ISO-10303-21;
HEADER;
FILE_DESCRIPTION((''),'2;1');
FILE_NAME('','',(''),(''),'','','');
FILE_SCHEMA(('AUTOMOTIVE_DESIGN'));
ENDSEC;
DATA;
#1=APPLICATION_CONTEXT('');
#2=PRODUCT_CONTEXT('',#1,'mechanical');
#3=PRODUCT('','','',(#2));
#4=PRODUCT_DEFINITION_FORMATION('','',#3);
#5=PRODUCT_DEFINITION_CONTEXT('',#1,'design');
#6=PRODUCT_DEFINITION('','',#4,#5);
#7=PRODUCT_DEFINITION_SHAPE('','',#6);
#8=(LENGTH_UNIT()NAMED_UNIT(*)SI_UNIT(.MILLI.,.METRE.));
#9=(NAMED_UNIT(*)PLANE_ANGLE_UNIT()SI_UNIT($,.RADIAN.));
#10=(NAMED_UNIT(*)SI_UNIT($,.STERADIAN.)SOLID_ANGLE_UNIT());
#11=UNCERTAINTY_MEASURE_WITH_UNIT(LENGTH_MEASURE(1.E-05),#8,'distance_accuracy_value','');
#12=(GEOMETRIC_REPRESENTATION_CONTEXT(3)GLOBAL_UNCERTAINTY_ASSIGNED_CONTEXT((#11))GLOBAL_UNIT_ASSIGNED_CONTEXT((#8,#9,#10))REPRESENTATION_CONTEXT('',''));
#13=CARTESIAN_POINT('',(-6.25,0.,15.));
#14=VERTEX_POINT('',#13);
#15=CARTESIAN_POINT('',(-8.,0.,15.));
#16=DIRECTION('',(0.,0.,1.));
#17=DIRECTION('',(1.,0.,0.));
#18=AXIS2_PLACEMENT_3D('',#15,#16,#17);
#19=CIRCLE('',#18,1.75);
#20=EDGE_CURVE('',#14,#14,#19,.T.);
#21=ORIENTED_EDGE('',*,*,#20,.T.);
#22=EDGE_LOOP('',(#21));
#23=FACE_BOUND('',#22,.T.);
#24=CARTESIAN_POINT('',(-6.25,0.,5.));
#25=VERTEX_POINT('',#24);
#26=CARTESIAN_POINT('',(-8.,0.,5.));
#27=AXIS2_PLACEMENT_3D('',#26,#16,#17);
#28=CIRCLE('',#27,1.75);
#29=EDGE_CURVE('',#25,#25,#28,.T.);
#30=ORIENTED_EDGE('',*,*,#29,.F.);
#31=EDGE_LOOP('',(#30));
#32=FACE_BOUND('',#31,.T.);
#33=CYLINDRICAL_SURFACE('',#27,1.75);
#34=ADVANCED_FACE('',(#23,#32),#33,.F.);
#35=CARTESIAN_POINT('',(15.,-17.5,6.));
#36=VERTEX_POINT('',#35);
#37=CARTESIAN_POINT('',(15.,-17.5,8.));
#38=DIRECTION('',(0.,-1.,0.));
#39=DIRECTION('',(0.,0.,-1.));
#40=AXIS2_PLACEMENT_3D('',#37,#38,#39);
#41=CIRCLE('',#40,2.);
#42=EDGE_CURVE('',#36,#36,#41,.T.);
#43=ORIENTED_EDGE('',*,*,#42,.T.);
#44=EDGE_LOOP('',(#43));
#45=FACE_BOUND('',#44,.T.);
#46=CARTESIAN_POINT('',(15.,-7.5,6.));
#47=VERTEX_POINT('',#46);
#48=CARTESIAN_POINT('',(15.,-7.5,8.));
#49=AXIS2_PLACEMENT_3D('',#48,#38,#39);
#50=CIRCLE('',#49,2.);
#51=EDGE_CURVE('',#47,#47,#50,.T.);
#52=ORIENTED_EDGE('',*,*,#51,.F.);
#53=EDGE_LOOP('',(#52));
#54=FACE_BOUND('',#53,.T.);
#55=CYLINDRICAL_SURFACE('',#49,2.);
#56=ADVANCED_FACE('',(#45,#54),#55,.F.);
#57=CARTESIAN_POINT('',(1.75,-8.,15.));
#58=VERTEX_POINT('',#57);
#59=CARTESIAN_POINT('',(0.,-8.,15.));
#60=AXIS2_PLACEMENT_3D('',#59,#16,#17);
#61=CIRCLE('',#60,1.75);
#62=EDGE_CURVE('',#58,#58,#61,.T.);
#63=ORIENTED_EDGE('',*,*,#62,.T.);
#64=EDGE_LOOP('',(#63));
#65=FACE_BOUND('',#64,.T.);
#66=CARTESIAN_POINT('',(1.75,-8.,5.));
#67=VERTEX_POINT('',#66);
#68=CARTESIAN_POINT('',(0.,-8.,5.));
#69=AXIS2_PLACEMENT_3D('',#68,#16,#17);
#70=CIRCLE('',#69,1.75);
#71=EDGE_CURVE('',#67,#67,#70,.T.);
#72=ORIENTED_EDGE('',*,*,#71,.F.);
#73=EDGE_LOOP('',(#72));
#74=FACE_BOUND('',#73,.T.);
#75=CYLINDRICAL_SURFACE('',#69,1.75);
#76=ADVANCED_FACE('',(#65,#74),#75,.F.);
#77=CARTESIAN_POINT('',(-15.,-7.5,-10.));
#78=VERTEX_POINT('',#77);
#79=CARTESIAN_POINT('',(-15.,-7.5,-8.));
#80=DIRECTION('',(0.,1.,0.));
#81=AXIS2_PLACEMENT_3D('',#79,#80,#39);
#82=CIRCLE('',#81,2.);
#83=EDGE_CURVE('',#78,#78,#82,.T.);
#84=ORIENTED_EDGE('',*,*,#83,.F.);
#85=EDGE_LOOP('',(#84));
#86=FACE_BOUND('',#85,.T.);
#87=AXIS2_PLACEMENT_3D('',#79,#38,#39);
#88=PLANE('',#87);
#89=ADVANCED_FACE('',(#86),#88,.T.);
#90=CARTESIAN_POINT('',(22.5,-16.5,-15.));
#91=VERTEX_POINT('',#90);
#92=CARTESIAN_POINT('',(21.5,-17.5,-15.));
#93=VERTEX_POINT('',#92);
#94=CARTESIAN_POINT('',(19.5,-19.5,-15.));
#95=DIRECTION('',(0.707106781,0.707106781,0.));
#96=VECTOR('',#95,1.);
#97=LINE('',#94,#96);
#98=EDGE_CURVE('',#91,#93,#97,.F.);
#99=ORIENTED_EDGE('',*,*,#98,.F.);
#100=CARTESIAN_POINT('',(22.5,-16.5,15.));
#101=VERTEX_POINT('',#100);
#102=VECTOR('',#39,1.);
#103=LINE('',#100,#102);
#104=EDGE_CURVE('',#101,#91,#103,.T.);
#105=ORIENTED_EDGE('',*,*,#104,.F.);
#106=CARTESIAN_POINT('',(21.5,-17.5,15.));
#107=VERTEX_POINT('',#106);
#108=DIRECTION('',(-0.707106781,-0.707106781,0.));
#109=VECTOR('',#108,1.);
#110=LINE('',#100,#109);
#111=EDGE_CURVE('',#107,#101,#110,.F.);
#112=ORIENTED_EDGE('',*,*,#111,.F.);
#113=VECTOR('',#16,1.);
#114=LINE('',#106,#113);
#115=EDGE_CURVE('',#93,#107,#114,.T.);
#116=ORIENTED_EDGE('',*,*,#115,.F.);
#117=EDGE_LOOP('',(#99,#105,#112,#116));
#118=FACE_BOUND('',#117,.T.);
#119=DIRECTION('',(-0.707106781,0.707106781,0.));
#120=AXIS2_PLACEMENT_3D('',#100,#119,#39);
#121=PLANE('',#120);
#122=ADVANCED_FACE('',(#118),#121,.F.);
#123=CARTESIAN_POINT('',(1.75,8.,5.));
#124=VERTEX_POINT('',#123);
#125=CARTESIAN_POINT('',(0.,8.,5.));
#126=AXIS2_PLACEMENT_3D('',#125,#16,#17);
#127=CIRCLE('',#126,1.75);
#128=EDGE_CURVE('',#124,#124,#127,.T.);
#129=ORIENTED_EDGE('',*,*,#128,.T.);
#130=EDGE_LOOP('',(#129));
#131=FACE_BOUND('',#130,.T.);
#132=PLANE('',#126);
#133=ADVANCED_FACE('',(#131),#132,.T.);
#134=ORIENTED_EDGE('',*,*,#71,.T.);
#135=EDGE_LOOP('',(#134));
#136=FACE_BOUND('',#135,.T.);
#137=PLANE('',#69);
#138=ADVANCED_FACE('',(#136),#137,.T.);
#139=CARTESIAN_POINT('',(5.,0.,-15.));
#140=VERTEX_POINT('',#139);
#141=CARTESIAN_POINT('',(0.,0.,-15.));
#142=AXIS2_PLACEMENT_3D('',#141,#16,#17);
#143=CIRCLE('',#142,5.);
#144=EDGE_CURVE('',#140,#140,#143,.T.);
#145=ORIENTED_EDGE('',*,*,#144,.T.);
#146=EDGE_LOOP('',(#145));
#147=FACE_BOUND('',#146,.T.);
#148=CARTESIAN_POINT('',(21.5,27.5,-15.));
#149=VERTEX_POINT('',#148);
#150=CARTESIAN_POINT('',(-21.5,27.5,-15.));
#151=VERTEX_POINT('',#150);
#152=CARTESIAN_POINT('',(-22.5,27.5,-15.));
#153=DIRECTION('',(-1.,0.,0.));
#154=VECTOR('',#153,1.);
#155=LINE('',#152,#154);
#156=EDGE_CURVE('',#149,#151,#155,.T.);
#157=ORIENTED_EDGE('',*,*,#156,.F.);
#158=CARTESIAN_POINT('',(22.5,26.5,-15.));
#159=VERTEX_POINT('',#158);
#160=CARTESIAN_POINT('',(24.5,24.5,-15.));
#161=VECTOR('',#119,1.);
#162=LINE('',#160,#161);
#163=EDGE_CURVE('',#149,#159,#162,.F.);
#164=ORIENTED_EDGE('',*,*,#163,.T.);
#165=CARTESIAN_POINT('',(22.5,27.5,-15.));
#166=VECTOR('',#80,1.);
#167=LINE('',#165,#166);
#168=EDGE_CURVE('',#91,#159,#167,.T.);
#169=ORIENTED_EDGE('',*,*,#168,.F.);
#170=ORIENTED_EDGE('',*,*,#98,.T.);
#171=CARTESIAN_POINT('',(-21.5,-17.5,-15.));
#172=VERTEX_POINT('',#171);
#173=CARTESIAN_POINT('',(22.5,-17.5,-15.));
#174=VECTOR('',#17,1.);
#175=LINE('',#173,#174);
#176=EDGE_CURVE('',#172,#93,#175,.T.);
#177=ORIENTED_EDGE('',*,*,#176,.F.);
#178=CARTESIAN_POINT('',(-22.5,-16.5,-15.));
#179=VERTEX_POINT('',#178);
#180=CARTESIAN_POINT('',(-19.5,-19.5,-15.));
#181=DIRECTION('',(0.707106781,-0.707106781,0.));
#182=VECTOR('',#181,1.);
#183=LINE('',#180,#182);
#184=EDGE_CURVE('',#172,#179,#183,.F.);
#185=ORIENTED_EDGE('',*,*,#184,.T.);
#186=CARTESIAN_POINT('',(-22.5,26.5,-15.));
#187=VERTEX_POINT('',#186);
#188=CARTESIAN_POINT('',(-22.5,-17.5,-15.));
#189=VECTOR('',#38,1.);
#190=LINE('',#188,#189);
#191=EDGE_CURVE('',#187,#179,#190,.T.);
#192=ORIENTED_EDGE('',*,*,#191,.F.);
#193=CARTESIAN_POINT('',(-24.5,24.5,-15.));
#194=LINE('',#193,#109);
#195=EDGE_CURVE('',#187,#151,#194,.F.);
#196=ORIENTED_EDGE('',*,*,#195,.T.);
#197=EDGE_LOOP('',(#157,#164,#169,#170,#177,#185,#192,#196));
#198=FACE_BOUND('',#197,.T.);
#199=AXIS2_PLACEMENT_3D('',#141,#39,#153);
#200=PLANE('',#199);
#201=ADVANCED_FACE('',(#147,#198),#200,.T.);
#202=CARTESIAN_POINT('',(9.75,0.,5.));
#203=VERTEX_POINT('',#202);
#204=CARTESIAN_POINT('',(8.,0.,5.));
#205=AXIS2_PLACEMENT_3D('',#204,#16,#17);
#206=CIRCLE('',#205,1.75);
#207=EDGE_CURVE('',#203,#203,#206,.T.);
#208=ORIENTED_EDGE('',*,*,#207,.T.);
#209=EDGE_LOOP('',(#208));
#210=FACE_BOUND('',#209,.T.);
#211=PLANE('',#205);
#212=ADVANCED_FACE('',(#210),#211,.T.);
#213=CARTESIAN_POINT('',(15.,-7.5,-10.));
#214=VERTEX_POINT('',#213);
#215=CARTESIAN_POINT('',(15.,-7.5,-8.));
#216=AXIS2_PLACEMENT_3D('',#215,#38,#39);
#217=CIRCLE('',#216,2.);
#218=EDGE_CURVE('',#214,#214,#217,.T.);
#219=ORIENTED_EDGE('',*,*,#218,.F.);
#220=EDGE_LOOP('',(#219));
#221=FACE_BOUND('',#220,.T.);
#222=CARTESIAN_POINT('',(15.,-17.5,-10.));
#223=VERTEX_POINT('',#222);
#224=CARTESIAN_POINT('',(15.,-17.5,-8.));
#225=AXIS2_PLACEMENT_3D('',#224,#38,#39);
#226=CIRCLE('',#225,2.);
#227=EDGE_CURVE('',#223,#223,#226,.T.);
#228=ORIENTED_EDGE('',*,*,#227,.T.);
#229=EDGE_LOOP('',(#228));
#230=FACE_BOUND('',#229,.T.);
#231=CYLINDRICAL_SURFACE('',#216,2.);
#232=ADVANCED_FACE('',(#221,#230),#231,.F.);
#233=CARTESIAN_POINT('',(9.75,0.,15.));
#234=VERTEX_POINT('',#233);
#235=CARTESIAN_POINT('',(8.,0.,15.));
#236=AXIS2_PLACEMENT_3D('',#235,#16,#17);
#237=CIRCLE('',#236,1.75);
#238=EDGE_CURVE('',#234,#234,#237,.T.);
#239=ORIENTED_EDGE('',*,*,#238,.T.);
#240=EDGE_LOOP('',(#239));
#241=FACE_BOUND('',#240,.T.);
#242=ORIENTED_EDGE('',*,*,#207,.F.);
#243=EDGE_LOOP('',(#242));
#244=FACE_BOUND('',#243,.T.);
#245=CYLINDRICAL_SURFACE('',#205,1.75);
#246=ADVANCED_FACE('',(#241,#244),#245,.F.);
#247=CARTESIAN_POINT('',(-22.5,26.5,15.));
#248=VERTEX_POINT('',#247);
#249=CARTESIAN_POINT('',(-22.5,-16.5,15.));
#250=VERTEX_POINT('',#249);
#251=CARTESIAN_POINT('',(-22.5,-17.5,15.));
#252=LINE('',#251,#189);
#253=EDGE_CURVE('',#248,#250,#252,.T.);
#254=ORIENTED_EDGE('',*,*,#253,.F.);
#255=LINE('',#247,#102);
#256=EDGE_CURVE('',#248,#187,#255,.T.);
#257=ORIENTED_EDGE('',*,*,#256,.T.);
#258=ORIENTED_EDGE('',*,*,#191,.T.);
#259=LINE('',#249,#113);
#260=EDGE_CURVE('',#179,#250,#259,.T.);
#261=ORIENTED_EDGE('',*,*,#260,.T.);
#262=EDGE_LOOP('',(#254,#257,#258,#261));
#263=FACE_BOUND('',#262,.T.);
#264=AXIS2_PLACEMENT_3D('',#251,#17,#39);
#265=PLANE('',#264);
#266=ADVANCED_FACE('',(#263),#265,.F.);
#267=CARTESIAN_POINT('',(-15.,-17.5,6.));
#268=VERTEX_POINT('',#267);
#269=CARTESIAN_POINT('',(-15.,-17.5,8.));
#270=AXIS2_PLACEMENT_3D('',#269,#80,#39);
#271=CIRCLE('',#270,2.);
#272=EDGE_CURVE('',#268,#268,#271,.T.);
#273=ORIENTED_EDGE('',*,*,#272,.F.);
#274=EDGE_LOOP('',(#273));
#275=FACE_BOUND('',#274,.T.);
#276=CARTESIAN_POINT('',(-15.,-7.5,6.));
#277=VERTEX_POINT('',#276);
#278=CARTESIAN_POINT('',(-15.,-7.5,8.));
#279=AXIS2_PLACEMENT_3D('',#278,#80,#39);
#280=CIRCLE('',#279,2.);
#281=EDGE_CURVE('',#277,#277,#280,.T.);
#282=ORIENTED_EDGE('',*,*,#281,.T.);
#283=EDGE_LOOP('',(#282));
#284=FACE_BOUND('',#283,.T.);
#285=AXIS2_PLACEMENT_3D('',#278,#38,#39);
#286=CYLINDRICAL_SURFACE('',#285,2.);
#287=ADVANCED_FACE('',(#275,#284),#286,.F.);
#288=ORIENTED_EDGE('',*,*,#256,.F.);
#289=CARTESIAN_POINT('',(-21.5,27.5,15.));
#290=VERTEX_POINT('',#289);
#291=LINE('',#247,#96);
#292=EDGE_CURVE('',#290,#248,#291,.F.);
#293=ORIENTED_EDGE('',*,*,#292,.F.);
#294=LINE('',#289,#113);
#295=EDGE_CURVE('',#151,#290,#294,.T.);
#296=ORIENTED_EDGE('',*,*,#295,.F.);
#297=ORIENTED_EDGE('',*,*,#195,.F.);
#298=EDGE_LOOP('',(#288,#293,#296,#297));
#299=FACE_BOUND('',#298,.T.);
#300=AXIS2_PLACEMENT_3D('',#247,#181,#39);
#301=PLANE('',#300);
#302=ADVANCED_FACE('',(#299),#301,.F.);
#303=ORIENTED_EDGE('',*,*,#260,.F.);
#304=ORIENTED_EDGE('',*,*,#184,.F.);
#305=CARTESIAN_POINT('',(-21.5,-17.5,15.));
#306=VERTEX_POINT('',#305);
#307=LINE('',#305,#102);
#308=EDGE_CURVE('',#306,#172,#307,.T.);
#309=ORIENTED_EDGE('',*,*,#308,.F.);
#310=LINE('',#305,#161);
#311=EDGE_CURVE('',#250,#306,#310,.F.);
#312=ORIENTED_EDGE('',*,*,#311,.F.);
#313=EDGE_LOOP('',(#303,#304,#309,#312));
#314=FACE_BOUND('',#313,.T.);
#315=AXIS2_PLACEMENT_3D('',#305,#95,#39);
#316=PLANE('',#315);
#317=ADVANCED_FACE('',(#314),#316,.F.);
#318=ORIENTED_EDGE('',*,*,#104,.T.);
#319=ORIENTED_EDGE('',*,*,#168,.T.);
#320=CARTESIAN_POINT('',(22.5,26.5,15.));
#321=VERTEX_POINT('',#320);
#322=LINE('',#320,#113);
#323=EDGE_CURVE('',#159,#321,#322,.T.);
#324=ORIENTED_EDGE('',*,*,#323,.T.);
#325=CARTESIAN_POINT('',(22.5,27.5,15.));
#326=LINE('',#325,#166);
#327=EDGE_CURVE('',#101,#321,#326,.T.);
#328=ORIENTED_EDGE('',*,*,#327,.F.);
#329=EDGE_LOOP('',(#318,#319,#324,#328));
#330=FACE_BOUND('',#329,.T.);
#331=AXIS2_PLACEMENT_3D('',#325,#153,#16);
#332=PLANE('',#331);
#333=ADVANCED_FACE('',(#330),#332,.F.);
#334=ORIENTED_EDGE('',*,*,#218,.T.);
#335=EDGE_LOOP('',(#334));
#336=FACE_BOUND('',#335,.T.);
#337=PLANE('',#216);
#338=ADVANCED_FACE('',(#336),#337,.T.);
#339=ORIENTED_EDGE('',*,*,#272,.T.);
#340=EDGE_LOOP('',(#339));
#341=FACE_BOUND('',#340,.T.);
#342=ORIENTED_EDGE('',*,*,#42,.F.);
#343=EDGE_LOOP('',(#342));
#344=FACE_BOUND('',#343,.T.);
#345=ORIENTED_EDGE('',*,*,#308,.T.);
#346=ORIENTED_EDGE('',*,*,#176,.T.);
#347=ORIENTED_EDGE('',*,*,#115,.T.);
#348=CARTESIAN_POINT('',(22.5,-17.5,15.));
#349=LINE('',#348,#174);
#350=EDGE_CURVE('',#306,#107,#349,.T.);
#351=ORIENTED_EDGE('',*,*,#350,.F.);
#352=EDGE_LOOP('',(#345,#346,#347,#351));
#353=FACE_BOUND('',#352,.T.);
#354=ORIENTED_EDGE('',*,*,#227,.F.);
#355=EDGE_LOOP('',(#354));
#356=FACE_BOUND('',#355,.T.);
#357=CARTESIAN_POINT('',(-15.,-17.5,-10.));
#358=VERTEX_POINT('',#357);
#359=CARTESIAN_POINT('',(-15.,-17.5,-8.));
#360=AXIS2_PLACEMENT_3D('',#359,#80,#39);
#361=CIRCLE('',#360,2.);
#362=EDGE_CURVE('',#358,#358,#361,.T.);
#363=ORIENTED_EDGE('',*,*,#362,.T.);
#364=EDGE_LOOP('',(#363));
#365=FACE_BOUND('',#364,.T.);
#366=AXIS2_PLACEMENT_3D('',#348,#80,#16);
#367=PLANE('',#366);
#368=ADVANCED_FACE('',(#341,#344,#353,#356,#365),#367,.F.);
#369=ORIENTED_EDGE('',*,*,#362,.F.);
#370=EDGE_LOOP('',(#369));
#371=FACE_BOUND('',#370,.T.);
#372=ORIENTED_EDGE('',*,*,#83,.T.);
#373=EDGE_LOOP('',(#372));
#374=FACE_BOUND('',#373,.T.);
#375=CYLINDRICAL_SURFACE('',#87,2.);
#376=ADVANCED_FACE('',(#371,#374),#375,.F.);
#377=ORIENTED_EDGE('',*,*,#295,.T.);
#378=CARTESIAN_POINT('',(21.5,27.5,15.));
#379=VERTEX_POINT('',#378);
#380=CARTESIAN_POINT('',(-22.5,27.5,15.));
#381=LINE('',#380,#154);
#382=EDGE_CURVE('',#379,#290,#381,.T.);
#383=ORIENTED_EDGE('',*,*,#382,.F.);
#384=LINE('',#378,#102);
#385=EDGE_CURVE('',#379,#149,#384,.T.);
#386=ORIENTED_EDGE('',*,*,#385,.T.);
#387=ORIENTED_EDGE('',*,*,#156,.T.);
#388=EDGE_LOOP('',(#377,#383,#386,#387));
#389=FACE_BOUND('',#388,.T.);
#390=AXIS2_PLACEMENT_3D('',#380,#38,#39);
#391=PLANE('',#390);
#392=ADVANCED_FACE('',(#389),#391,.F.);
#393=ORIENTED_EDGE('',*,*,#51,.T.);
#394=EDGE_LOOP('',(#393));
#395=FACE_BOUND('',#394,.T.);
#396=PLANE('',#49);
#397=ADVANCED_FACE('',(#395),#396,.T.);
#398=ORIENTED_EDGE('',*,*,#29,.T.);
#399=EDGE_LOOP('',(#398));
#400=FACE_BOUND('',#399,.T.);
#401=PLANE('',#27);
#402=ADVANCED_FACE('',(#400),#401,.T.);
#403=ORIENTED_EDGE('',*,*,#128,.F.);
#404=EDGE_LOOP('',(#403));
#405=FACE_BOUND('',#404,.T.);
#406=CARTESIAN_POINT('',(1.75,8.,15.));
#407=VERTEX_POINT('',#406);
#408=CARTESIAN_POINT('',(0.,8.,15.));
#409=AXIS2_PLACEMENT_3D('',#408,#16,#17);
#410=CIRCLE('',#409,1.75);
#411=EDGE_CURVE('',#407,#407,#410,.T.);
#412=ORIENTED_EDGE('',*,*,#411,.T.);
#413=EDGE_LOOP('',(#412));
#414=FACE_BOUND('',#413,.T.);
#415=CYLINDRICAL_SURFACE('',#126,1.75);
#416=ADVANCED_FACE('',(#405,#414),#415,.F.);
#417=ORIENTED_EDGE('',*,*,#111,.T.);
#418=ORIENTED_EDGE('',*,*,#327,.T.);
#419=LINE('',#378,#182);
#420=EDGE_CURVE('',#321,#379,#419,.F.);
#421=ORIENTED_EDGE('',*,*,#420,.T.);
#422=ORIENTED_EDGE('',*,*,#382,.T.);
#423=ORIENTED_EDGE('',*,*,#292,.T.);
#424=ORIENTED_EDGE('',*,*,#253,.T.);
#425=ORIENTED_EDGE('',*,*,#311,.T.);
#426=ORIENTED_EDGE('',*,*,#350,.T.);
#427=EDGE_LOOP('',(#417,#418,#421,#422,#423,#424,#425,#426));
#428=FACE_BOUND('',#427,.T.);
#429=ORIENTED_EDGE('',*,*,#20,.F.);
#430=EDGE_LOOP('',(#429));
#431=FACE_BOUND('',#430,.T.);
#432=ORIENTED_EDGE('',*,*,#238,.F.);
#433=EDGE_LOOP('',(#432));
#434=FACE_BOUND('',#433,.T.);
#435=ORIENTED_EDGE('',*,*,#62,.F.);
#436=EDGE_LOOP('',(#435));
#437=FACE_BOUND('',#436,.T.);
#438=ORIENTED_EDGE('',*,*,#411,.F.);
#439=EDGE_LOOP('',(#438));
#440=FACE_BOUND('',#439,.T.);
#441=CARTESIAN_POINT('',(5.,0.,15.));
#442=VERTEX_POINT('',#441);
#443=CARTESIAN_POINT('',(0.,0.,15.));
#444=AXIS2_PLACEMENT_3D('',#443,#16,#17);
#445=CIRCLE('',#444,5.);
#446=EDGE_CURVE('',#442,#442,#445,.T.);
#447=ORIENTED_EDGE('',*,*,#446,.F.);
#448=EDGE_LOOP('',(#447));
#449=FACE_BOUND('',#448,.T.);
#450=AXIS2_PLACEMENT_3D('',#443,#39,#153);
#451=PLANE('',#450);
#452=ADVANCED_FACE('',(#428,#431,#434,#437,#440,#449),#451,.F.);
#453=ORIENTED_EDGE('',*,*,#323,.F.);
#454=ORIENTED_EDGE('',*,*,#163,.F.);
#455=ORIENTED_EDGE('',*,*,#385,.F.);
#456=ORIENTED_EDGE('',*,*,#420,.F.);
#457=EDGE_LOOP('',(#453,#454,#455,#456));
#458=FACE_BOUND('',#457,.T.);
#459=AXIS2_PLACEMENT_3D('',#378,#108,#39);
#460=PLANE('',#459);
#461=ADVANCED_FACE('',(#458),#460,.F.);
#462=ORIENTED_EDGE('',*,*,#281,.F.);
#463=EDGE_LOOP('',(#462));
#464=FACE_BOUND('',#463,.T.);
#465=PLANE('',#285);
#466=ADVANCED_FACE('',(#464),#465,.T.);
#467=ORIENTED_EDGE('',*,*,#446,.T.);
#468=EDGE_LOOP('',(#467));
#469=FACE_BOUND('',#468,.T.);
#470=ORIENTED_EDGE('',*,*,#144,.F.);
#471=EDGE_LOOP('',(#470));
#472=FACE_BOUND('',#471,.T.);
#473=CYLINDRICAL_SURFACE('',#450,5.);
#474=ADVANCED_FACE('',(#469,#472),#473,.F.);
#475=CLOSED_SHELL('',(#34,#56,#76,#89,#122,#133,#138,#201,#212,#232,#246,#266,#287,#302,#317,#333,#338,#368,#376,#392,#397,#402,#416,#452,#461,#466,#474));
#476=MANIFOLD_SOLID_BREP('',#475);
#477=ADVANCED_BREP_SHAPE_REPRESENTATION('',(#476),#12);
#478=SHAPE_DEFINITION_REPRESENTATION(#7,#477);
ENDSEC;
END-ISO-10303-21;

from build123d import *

# Parameters (mm, degrees)
SKETCH1_W           = 45
SKETCH1_H           = 45
SKETCH1_R           = 5
BOSS_EXTRUDE1_DEPTH = 15
SKETCH2_R           = 1.75
CUT_EXTRUDE1_DEPTH  = 10
CHAMFER1_SIZE       = 1
SKETCH3_R           = 2
CUT_EXTRUDE2_DEPTH  = 10


with BuildPart() as part:
    # Sketch1 → Boss-Extrude1 (new body, symmetric)
    with BuildSketch(Plane.XY):
        with Locations((0, 5)):
            Rectangle(SKETCH1_W, SKETCH1_H)
        Circle(SKETCH1_R, mode=Mode.SUBTRACT)
    extrude(amount=BOSS_EXTRUDE1_DEPTH, both=True)

    # Sketch2 → Cut-Extrude1 (cut)
    with BuildSketch(Plane.XY.offset(15)):
        with Locations((0, 8)):
            Circle(SKETCH2_R)
        with Locations((0, -8)):
            Circle(SKETCH2_R)
        with Locations((8, 0)):
            Circle(SKETCH2_R)
        with Locations((-8, 0)):
            Circle(SKETCH2_R)
    extrude(amount=-CUT_EXTRUDE1_DEPTH, mode=Mode.SUBTRACT)

    # Chamfer1
    chamfer1_edges = [part.edges().sort_by_distance(p)[0] for p in [
        (-22.5, 27.5, 0),
        (22.5, 27.5, 0),
        (22.5, -17.5, 0),
        (-22.5, -17.5, 0),
    ]]
    chamfer(chamfer1_edges, length=CHAMFER1_SIZE)

    # Sketch3 → Cut-Extrude2 (cut)
    with BuildSketch(Plane.XZ.offset(17.5)):
        with Locations((15, 8)):
            Circle(SKETCH3_R)
        with Locations((15, -8)):
            Circle(SKETCH3_R)
    cut_extrude2 = extrude(amount=-CUT_EXTRUDE2_DEPTH, mode=Mode.SUBTRACT)

    # Mirror1: Cut-Extrude2 across plane
    add(cut_extrude2.mirror(Plane(origin=(0, 0, 0), x_dir=(0, 0, 1), z_dir=(1, 0, 0))), mode=Mode.SUBTRACT)


solid = part.part
